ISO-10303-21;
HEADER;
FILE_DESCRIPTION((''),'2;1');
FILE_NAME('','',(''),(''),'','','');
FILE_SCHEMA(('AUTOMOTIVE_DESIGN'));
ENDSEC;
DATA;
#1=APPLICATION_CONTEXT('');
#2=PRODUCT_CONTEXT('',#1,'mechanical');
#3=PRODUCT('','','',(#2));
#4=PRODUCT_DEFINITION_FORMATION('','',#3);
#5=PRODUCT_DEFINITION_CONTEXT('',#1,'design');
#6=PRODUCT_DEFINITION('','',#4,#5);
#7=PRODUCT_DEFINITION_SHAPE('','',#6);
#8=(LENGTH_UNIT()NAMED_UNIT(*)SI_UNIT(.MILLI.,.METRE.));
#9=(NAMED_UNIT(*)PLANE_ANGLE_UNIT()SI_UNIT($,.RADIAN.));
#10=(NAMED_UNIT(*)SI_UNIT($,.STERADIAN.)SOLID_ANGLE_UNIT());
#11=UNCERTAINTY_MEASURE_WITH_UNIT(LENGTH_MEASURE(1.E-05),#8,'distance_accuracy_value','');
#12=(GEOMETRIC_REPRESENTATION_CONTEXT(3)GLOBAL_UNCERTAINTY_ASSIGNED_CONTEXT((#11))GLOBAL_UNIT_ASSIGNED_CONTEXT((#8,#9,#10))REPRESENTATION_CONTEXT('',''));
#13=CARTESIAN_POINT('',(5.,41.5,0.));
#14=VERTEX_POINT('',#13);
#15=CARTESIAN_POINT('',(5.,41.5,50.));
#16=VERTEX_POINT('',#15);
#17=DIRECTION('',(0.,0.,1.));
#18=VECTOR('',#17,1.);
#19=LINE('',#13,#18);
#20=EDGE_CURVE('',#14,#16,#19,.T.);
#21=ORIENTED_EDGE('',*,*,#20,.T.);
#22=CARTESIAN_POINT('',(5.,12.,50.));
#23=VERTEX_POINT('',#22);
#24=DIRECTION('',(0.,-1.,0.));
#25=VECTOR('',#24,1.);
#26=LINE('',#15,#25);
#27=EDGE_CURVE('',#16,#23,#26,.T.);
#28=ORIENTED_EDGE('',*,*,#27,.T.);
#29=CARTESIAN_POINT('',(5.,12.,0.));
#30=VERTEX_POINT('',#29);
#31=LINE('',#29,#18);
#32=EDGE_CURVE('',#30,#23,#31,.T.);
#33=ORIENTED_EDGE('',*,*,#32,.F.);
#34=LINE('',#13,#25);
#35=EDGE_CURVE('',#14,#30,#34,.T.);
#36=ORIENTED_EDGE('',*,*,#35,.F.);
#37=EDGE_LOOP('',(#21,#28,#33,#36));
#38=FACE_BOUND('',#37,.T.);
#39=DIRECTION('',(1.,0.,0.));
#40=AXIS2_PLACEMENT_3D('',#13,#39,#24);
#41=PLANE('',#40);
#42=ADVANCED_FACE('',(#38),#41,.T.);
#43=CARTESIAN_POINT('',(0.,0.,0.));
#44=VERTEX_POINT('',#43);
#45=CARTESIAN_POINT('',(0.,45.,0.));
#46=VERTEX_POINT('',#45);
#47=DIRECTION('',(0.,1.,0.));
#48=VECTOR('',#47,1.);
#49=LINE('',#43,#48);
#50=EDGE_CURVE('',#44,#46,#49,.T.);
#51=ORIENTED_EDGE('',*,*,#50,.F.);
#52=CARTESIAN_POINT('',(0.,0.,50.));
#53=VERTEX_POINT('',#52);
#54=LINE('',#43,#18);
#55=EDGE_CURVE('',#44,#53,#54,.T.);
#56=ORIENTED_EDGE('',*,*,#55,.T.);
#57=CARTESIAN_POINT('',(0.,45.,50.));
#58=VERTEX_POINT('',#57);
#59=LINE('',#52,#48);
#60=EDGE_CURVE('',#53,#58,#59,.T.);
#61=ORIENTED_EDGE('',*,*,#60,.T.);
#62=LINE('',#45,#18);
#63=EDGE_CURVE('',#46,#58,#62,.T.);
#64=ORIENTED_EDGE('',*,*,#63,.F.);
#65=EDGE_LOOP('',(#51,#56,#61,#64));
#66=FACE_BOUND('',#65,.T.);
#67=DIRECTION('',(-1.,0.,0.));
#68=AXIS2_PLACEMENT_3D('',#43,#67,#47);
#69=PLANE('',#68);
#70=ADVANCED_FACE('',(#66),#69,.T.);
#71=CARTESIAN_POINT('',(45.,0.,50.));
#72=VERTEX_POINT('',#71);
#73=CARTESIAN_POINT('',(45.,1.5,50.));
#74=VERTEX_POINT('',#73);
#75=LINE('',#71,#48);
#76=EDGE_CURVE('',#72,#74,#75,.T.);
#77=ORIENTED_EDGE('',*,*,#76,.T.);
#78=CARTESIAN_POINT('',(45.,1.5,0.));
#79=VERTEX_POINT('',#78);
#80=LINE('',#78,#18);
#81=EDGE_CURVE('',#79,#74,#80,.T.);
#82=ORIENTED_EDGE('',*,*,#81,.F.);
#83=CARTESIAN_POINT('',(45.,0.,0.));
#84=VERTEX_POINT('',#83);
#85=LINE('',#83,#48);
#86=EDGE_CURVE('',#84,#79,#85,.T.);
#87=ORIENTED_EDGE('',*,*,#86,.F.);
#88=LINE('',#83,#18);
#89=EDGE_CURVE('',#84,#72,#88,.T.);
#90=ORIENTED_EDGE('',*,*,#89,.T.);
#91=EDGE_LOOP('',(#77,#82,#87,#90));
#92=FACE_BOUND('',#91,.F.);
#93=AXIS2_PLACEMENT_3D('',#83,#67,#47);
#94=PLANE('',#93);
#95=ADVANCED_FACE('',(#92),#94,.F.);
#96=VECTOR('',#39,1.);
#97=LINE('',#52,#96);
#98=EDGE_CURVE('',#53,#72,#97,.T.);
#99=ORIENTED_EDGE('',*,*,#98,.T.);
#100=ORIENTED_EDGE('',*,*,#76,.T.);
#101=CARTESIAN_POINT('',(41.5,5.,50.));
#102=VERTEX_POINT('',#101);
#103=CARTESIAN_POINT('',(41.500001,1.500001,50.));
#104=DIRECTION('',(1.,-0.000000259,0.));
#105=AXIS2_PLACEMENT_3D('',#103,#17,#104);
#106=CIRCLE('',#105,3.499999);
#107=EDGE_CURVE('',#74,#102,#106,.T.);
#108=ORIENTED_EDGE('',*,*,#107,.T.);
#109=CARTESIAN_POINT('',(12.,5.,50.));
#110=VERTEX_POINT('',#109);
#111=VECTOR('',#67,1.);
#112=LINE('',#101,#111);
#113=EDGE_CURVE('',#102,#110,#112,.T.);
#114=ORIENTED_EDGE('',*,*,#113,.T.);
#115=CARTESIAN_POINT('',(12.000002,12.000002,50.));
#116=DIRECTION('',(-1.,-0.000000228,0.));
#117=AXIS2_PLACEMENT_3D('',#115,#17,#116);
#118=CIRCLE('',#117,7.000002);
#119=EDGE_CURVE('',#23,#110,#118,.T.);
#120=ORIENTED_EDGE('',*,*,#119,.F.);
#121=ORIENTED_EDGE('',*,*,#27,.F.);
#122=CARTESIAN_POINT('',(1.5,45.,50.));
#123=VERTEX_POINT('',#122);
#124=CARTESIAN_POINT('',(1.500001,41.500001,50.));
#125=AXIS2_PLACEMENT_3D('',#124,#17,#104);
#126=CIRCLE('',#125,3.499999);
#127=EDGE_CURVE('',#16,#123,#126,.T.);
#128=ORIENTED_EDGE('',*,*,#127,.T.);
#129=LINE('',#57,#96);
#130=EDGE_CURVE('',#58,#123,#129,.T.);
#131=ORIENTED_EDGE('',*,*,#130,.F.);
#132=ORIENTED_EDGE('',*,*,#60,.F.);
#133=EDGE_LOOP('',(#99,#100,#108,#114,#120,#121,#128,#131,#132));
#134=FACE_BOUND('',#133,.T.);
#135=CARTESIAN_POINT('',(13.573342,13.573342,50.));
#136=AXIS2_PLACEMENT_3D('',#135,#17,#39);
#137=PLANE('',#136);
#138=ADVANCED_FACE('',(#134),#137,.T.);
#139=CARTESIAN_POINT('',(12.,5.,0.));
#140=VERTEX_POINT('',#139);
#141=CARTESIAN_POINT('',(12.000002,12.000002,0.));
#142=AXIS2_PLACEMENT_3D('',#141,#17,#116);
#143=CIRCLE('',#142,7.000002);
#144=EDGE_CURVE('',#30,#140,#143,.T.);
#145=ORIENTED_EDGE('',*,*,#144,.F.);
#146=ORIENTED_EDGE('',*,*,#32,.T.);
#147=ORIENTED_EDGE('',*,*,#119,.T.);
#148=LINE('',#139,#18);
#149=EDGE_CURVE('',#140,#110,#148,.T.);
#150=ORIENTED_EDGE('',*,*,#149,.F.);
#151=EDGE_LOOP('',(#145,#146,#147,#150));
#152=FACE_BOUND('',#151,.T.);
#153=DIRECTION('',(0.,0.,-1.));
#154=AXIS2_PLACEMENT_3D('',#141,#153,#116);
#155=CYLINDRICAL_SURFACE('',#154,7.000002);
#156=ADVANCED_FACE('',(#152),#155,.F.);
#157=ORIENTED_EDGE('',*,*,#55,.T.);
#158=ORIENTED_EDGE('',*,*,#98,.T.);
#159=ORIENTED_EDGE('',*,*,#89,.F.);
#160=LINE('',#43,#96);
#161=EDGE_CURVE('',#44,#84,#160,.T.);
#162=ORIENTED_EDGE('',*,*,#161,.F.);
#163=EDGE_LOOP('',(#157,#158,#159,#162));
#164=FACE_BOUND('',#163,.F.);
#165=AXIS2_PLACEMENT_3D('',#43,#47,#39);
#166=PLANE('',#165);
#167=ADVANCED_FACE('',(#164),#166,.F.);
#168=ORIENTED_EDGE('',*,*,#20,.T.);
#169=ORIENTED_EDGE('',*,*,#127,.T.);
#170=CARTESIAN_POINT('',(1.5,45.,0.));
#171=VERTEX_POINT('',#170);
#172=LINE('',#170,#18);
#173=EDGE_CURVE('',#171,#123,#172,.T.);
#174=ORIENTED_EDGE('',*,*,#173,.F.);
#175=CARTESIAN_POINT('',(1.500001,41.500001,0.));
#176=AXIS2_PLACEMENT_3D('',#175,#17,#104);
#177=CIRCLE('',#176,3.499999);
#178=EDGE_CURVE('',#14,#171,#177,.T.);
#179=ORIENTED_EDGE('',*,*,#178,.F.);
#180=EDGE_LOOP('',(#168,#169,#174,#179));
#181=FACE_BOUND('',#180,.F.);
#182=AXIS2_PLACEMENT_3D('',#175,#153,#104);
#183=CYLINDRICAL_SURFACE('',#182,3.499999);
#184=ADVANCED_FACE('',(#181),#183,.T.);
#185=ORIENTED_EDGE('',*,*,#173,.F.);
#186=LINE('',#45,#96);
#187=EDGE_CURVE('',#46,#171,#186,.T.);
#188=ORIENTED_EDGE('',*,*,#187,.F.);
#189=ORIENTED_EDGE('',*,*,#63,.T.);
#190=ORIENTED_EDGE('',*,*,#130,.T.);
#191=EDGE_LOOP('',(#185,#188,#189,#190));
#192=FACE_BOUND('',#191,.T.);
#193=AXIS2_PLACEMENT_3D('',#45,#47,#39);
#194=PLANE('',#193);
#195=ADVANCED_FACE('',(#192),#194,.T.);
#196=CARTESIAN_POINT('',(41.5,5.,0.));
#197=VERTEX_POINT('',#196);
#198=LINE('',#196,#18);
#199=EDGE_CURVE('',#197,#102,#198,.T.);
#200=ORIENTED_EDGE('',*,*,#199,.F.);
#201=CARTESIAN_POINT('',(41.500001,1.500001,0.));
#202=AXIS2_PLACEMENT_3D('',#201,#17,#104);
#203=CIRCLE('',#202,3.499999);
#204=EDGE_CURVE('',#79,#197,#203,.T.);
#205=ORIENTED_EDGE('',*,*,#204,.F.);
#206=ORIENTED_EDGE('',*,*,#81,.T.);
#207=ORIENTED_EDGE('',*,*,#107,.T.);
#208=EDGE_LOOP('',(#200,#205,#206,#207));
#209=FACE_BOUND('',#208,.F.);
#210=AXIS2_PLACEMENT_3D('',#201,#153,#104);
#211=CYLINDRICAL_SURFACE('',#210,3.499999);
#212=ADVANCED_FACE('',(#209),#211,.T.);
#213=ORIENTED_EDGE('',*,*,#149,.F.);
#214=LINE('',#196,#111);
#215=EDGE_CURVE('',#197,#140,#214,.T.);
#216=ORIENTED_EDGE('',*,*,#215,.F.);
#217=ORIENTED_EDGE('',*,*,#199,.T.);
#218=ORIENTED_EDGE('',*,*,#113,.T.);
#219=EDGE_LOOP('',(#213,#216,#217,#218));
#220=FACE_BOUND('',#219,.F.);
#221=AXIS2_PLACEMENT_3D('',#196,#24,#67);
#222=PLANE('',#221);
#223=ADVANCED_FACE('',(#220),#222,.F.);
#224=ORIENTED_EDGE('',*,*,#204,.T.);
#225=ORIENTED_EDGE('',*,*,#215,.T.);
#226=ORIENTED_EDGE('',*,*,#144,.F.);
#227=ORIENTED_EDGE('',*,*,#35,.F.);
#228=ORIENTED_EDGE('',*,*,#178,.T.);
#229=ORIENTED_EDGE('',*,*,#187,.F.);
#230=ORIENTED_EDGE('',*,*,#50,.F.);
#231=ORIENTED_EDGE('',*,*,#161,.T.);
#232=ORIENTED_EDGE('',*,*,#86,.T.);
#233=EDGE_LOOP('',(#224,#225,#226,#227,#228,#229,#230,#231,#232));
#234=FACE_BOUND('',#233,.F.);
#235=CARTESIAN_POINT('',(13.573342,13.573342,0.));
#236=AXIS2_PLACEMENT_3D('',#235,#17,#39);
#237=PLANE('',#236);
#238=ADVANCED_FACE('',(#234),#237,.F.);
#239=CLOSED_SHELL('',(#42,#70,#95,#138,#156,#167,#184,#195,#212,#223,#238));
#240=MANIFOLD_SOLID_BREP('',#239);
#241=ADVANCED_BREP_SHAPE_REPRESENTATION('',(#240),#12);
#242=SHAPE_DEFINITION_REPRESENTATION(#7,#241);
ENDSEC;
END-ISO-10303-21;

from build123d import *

# Parameters (mm, degrees)
EXTRUDE_DEPTH = 50


with BuildPart() as part:
    # Sketch → Extrude (new body)
    with BuildSketch(Plane.XY):
        with BuildLine():
            Line((0, 0), (45, 0))
            Line((45, 0), (45, 1.5))
            ThreePointArc((45, 1.5), (43.974874, 3.974874), (41.5, 5))
            Line((41.5, 5), (12, 5))
            ThreePointArc((5, 12), (7.050253, 7.050253), (12, 5))
            Line((5, 41.5), (5, 12))
            ThreePointArc((5, 41.5), (3.974874, 43.974874), (1.5, 45))
            Line((0, 45), (1.5, 45))
            Line((0, 0), (0, 45))
        make_face()
    extrude(amount=EXTRUDE_DEPTH)


solid = part.part
